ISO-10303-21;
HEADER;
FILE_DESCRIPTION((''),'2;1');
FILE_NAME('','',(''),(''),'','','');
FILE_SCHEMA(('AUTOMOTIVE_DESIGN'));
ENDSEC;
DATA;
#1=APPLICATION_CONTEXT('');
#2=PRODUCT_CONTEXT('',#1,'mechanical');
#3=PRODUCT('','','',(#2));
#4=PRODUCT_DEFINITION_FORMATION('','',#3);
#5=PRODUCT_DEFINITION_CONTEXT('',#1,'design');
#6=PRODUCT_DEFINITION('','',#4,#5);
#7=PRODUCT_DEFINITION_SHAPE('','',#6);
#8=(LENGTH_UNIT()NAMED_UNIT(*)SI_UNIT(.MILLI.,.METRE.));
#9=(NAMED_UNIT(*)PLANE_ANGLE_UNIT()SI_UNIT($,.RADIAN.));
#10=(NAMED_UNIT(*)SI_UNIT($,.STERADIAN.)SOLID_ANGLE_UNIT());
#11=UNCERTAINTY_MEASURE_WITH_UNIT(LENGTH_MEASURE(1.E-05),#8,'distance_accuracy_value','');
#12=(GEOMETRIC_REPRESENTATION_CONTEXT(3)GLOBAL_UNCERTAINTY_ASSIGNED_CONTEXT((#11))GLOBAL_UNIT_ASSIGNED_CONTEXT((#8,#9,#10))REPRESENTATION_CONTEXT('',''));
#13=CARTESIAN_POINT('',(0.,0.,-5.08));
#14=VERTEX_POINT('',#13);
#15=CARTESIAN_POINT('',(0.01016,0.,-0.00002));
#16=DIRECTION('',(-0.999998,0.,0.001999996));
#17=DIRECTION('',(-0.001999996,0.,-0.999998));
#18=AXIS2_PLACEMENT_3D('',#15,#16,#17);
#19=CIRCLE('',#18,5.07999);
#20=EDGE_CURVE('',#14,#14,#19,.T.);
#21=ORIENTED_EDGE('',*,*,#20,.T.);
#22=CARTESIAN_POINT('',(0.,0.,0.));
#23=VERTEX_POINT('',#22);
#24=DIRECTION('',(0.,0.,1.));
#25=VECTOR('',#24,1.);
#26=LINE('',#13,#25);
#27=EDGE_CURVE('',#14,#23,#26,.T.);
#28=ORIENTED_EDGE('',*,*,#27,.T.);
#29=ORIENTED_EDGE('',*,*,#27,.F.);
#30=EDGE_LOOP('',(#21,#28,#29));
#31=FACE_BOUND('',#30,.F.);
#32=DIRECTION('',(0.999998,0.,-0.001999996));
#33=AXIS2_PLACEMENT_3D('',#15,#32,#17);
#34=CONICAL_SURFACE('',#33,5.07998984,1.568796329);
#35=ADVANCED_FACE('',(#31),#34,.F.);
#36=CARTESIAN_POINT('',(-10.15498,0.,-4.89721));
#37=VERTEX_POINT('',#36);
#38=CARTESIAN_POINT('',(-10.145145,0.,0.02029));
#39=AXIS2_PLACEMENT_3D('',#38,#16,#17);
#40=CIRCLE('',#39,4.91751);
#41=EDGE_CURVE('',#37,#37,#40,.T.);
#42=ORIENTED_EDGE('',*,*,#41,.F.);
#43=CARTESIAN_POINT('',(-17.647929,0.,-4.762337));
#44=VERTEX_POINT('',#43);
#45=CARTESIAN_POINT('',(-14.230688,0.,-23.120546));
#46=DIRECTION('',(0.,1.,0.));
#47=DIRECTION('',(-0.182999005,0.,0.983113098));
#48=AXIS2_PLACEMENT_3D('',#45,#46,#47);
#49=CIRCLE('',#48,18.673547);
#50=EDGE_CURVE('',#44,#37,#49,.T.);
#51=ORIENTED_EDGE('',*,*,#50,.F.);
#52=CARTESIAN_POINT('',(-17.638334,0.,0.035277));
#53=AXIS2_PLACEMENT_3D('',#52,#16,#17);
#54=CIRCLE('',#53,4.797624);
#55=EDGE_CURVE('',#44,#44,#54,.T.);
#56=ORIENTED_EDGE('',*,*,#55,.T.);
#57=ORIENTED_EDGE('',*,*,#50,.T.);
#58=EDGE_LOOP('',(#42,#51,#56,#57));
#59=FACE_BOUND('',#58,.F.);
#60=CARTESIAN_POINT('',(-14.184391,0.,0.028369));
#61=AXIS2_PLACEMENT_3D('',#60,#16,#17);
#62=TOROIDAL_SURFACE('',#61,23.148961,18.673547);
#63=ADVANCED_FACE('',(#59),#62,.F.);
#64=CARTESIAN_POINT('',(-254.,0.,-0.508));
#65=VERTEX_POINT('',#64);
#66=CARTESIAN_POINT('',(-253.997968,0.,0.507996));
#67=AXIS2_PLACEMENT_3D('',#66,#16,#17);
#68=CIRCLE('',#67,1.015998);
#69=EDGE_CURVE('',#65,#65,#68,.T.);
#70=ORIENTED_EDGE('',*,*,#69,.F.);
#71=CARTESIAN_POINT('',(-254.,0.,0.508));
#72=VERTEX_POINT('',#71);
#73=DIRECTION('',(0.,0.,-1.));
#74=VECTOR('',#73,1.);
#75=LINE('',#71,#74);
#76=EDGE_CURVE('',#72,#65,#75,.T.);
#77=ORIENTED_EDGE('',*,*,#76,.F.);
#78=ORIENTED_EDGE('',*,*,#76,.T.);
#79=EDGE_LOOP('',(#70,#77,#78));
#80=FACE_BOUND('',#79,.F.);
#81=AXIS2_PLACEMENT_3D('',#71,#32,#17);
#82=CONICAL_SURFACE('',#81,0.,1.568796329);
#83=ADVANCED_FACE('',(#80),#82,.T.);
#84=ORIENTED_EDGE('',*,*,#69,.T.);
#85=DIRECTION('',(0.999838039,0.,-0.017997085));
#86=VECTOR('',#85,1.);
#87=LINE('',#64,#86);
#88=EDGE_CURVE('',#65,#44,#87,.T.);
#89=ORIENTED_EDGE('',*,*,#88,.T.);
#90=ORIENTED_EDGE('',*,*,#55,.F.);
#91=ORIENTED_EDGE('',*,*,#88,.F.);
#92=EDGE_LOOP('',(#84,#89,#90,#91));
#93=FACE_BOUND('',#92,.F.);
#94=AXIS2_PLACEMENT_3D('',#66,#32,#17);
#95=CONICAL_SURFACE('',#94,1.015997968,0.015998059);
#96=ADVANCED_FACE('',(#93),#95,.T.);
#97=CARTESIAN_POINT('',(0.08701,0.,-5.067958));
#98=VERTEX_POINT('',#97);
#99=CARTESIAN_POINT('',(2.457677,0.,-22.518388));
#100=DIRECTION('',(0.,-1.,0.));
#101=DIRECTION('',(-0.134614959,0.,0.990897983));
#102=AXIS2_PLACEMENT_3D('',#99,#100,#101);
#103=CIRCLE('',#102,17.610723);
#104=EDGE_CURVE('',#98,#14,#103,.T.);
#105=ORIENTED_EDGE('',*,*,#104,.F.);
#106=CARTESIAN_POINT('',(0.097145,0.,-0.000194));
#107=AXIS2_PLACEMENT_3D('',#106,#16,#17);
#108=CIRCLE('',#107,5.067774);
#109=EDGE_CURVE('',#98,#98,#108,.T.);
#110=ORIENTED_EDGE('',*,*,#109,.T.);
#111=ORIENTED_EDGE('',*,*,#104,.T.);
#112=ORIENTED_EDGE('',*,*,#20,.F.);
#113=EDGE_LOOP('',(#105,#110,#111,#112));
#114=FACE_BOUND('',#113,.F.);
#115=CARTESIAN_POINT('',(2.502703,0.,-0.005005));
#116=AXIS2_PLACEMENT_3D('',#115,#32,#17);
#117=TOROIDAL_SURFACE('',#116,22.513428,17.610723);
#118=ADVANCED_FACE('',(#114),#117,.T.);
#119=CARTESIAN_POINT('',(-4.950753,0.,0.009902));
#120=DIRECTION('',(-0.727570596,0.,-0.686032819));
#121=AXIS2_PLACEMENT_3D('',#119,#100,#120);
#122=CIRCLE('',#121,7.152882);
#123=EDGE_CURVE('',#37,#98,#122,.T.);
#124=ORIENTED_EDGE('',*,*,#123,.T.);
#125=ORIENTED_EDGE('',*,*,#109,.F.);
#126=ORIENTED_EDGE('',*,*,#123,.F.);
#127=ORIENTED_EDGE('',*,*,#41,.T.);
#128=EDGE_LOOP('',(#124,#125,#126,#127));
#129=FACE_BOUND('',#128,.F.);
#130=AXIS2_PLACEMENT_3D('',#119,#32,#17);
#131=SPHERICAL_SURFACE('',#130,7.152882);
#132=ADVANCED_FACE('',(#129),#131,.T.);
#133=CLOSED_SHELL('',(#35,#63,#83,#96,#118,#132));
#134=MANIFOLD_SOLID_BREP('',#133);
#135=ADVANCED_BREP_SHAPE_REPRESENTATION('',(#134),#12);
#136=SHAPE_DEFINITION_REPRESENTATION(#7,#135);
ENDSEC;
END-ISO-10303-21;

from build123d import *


with BuildPart() as f1:
    # F0 (on Front) → F1 (revolve)
    with BuildSketch(Plane.XZ):
        with BuildLine():
            ThreePointArc((-10.1549801349, -4.8972103576), (-11.6012822817, -2.623383227), (-12.1036212367, 0.0242072425))
            Line((-12.1036212367, 0.0242072425), (-254, 0.508))
            Line((-254, 0.508), (-254, -0.508))
            Line((-254, -0.508), (-17.647928887, -4.76233728))
            ThreePointArc((-17.647928887, -4.76233728), (-13.8946190018, -4.4500233115), (-10.1549801349, -4.8972103576))
        make_face()
        with BuildLine():
            ThreePointArc((0.0870099537, -5.0679584932), (0.0434974692, -5.0739249977), (0, -5.08))
            Line((0, -5.08), (-10.1549801349, -4.8972103576))
            ThreePointArc((-10.1549801349, -4.8972103576), (-5.0699853135, -7.1419867772), (0.0870099537, -5.0679584932))
        make_face()
        with BuildLine():
            Line((0, -5.08), (0, 0))
            Line((0, 0), (-12.1036212367, 0.0242072425))
            ThreePointArc((-12.1036212367, 0.0242072425), (-11.6012822817, -2.623383227), (-10.1549801349, -4.8972103576))
            Line((-10.1549801349, -4.8972103576), (0, -5.08))
        make_face()
    revolve(axis=Axis((-127, 0, 0.254), (-0.999998, 0, 0.001999996)))


solid = f1.part
